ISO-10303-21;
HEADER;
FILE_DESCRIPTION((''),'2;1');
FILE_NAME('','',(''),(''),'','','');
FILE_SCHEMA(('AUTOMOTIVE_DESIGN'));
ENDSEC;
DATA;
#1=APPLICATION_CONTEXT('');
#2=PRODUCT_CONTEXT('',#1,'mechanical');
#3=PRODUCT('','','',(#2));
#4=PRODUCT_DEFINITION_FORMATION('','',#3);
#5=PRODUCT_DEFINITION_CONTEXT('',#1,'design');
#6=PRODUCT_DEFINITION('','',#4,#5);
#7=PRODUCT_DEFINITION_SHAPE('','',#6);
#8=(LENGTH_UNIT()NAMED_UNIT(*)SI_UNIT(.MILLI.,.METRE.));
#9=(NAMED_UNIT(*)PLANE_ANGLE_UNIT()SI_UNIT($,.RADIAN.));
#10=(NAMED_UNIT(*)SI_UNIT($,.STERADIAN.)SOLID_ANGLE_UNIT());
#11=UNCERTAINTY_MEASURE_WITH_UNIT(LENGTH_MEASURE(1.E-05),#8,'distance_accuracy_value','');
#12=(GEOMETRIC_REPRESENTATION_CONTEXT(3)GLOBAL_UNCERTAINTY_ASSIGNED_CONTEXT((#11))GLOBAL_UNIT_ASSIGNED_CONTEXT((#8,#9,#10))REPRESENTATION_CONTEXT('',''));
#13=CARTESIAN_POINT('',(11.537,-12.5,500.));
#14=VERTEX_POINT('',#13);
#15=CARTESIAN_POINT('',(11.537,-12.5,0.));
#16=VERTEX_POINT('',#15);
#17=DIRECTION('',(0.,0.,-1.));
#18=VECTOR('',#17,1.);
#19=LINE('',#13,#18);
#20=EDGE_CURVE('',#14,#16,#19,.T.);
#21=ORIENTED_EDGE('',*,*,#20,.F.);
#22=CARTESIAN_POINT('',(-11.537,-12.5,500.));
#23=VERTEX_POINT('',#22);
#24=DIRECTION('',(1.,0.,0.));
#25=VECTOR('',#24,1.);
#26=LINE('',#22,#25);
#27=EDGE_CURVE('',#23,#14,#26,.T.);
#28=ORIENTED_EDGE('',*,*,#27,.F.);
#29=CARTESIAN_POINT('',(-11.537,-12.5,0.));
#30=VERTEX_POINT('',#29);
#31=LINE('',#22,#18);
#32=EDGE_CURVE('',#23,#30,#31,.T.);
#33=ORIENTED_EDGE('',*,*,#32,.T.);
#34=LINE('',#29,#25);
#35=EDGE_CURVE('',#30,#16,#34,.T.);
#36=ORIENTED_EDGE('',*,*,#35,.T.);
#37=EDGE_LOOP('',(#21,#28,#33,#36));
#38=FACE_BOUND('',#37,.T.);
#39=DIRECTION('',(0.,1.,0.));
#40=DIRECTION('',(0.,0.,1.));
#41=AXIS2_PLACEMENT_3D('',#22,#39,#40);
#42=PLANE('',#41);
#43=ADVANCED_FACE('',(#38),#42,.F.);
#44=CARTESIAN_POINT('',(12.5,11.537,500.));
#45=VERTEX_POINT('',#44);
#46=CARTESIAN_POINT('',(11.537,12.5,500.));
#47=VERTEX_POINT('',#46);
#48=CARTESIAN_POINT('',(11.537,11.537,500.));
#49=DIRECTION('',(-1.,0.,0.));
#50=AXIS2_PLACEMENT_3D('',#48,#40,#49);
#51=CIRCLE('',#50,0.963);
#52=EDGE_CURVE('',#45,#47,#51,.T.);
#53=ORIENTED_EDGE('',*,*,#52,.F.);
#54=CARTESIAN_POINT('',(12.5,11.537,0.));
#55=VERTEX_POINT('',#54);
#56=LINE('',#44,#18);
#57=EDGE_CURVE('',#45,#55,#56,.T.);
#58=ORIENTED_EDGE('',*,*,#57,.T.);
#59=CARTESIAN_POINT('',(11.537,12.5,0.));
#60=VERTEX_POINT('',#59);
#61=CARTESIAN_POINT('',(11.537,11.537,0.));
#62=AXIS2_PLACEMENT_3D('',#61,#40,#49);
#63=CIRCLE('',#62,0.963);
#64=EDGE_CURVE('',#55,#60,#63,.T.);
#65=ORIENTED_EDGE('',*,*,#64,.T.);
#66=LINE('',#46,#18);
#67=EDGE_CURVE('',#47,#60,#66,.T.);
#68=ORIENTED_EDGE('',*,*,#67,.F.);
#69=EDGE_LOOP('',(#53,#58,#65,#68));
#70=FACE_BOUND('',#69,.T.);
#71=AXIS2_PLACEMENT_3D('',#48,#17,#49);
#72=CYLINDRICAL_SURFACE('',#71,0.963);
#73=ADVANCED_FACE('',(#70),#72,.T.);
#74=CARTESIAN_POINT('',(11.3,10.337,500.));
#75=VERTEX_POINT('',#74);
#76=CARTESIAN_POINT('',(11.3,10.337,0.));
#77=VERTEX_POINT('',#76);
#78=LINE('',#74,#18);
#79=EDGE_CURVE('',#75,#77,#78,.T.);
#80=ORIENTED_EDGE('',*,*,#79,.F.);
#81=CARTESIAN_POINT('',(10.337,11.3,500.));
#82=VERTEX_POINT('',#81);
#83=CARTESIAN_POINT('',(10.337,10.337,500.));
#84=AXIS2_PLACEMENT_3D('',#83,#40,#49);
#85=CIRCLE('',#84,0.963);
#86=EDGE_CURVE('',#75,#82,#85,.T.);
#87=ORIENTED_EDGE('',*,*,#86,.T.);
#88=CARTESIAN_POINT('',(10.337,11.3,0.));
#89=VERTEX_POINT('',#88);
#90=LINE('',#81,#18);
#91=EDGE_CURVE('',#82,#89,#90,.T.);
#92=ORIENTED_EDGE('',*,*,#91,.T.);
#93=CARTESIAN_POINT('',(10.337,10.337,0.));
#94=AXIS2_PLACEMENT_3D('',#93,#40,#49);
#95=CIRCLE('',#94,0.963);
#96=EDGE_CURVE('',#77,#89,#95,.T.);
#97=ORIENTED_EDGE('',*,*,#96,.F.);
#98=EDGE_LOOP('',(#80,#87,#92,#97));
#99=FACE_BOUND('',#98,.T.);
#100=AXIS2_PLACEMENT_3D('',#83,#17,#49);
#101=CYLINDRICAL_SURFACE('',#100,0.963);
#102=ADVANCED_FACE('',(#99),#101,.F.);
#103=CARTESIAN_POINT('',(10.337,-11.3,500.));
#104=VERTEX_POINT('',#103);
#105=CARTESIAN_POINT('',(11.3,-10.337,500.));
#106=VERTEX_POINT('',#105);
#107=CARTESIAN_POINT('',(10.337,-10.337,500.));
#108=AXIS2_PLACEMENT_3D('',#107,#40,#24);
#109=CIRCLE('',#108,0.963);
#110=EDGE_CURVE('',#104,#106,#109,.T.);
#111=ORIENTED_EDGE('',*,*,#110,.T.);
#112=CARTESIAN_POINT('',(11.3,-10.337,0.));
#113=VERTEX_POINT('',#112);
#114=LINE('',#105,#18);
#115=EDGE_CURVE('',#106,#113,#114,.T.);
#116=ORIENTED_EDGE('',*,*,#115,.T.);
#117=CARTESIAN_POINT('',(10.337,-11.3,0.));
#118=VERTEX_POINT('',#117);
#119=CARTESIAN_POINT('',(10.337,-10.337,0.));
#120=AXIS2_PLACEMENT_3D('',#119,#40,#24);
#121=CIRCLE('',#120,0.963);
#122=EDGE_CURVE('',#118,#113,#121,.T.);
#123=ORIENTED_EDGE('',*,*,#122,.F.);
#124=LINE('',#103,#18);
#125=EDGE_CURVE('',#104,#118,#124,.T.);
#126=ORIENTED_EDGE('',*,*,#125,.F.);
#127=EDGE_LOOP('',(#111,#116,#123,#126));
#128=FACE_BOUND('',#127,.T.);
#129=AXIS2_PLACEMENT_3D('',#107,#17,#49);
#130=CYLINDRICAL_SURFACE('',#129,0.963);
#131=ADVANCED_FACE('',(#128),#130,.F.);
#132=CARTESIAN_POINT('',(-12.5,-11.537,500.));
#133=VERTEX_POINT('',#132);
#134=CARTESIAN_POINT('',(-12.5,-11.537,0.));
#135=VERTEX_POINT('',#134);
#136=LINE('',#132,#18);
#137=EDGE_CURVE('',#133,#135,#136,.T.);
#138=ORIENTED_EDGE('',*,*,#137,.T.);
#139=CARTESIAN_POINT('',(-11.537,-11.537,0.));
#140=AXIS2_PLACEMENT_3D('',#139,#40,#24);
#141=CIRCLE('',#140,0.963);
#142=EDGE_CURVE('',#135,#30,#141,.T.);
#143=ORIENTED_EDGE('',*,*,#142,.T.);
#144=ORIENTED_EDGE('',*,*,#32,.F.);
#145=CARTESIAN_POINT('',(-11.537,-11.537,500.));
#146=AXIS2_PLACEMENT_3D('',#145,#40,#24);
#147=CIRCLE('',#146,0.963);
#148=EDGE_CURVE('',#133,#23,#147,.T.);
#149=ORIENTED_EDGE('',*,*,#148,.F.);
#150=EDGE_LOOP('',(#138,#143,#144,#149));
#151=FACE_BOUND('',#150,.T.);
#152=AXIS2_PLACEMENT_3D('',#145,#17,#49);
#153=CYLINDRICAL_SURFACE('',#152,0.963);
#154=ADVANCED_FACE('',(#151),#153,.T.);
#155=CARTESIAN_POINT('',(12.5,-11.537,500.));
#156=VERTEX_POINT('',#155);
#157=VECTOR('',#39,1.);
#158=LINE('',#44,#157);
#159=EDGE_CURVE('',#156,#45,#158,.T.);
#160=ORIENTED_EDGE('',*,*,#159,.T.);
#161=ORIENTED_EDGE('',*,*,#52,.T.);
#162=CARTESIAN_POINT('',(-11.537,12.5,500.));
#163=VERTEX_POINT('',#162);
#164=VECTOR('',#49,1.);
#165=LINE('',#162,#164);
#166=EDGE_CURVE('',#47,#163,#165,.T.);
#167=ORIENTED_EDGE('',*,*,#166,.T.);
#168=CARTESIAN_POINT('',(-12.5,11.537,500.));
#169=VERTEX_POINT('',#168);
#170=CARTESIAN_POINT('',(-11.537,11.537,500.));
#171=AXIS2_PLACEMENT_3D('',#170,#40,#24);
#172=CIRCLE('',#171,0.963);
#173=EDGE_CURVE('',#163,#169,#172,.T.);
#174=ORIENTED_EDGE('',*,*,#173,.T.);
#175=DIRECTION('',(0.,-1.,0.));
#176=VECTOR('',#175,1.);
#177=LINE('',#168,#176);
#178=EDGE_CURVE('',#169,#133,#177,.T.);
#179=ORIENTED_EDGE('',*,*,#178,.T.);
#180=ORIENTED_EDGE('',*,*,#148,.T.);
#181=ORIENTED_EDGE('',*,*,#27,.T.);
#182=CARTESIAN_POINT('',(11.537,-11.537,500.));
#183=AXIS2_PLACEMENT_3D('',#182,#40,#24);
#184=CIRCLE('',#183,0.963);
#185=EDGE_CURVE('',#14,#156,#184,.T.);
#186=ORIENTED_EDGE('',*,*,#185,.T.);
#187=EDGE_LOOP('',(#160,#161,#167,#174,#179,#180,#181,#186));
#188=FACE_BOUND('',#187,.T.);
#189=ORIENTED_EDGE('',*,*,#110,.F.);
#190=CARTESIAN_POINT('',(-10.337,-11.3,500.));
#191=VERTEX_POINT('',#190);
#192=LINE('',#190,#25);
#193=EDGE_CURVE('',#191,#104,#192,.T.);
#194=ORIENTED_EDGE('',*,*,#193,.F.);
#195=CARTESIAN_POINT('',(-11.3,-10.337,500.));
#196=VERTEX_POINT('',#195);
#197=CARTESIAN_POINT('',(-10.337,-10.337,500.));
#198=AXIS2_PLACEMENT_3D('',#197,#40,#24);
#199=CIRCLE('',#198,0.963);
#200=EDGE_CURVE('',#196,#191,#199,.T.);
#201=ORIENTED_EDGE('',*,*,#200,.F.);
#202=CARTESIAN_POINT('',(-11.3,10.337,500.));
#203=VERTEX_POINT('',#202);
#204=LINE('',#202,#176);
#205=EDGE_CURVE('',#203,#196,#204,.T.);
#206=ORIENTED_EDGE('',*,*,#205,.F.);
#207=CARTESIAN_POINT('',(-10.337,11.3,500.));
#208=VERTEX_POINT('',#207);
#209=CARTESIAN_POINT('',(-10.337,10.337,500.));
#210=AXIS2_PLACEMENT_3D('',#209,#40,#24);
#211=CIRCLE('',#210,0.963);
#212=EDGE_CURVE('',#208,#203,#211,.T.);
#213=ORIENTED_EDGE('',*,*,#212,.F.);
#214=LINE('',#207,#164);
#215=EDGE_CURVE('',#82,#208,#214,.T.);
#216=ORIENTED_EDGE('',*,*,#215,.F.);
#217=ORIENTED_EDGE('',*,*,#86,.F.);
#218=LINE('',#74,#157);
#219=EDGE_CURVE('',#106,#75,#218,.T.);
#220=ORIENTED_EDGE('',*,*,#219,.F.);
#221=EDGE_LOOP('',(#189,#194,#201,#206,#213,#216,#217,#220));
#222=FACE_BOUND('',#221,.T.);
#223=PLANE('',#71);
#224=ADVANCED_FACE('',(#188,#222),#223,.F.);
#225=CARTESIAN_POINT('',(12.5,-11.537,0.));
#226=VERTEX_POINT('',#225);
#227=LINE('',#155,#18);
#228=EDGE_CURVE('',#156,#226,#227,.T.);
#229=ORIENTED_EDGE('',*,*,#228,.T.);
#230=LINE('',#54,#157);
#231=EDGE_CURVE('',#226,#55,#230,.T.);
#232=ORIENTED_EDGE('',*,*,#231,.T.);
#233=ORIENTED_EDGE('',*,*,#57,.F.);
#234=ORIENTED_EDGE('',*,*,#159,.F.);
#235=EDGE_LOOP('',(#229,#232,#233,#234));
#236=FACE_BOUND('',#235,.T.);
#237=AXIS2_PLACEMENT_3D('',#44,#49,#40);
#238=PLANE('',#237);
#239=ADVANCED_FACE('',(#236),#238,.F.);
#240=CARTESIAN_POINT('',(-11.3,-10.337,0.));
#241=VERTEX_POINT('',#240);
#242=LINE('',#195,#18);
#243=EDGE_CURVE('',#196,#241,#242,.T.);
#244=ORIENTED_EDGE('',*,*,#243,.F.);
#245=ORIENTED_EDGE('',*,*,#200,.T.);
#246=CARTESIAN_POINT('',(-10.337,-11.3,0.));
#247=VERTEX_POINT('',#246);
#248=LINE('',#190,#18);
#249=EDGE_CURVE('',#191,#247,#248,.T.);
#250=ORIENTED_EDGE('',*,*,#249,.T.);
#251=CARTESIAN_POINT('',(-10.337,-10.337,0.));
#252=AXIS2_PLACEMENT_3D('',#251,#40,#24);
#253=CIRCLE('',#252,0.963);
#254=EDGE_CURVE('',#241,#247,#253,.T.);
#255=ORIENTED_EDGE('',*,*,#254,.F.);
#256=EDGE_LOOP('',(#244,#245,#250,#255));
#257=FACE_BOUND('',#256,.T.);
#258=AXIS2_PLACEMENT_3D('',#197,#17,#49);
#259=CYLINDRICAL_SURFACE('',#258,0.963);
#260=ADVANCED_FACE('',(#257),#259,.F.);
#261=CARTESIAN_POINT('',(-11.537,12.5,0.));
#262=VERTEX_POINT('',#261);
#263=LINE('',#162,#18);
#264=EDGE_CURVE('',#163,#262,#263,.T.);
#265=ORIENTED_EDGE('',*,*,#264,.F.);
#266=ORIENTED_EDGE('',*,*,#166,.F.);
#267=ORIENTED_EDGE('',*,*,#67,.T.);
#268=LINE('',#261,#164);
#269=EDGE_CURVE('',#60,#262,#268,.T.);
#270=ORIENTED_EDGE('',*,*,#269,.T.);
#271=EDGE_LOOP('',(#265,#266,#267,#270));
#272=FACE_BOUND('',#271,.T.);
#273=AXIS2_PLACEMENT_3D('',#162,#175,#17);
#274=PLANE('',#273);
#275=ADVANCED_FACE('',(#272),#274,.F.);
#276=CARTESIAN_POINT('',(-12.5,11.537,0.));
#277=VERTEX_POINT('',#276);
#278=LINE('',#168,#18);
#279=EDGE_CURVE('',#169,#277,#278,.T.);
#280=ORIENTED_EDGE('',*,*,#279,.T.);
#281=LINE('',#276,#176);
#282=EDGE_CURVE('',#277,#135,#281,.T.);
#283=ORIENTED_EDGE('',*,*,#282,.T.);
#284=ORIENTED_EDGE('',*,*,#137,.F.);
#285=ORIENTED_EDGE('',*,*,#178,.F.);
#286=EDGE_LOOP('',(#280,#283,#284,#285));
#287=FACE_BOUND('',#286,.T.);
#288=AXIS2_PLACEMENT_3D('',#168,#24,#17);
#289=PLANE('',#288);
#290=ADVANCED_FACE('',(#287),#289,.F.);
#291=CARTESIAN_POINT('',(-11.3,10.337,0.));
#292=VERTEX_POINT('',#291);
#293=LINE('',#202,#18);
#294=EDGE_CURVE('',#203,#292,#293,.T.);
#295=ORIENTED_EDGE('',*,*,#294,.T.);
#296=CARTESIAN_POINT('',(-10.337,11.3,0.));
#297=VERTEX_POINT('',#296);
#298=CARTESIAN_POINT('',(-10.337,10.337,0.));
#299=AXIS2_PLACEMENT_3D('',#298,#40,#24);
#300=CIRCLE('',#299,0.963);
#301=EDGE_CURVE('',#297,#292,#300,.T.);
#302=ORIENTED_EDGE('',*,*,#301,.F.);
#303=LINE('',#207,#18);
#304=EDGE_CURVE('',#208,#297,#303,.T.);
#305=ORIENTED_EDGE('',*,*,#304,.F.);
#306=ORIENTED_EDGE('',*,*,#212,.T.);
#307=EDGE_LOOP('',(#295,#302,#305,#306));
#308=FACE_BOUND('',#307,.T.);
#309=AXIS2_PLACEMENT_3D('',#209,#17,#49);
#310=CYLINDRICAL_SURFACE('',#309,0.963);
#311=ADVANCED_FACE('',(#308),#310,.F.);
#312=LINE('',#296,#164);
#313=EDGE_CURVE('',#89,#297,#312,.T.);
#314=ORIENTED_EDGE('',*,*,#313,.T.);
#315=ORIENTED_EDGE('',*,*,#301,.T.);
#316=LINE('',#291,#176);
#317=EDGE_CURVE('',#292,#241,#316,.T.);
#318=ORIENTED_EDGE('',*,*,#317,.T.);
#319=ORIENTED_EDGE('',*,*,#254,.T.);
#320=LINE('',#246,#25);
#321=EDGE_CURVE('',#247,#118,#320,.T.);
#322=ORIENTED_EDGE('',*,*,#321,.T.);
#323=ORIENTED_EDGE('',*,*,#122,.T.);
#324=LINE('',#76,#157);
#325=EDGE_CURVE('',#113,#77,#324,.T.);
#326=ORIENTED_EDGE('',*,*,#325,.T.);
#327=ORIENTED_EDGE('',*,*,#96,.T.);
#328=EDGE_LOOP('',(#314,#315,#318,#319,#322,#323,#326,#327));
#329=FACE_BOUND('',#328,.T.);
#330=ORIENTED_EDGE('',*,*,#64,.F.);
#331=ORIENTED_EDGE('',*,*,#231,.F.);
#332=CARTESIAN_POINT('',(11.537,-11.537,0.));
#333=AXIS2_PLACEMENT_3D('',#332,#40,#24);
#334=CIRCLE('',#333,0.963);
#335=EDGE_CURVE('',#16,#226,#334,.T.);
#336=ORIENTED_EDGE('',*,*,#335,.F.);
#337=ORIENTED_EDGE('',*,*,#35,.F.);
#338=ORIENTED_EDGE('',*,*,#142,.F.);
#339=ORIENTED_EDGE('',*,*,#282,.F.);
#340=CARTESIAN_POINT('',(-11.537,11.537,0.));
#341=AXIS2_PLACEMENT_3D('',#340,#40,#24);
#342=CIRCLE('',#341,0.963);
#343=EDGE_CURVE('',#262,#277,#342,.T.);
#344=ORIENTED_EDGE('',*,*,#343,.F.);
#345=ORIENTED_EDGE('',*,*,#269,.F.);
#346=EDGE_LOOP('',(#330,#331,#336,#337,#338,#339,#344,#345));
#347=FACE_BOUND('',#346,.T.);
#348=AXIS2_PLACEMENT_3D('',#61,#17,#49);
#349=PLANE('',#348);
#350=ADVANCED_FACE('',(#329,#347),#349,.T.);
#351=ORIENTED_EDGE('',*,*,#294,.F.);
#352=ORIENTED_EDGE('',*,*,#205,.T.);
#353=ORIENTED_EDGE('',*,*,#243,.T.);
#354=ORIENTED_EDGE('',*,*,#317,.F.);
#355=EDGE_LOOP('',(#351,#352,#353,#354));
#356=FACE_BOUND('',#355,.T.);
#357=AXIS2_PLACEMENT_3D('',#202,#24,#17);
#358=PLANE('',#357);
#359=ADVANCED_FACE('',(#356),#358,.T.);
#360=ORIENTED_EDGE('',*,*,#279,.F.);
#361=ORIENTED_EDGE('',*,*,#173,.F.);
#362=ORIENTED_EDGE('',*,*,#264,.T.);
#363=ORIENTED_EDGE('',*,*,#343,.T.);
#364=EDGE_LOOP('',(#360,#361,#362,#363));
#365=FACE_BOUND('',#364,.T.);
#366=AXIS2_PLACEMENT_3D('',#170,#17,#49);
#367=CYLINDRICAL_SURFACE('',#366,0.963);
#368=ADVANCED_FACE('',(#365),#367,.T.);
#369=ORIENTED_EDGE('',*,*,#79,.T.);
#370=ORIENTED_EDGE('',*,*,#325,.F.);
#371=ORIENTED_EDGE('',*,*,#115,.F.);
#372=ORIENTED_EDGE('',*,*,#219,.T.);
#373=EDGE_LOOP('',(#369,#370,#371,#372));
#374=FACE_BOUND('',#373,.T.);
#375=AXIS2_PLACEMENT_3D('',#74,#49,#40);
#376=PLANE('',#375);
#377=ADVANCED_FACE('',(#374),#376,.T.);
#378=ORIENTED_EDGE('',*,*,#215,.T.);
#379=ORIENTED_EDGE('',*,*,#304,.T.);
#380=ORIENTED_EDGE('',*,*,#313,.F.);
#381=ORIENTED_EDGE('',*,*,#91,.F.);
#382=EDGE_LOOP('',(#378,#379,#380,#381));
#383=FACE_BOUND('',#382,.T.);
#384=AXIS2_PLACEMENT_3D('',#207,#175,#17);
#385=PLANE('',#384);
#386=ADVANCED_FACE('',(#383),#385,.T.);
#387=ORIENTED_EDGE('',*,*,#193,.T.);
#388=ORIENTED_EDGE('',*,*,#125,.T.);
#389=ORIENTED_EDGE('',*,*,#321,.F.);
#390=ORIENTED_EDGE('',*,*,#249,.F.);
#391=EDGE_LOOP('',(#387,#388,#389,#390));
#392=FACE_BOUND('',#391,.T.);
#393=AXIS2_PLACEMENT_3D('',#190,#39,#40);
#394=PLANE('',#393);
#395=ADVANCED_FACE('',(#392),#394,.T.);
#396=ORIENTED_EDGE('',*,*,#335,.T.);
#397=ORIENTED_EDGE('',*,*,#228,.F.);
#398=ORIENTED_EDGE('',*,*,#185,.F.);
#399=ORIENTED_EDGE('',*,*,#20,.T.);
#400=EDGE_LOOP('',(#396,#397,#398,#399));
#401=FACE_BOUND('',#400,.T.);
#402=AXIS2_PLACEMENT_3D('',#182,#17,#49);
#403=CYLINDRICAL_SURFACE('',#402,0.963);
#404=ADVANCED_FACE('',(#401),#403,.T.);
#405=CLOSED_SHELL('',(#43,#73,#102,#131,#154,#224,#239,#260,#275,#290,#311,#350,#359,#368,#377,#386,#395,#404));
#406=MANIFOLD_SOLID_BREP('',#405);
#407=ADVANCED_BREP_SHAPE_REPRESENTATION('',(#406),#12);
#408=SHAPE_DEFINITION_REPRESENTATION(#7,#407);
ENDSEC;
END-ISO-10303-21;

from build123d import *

# Parameters (mm, degrees)
EXTRUDE_1_DEPTH = 500


with BuildPart() as part:
    # 草图1 → 拉伸1 (new body)
    with BuildSketch(Plane.XY):
        with BuildLine():
            Line((-11.537, 12.5), (11.537, 12.5))
            ThreePointArc((11.537, 12.5), (12.21794383, 12.21794383), (12.5, 11.537))
            Line((12.5, 11.537), (12.5, -11.537))
            ThreePointArc((12.5, -11.537), (12.21794383, -12.21794383), (11.537, -12.5))
            Line((11.537, -12.5), (-11.537, -12.5))
            ThreePointArc((-11.537, -12.5), (-12.21794383, -12.21794383), (-12.5, -11.537))
            Line((-12.5, -11.537), (-12.5, 11.537))
            ThreePointArc((-12.5, 11.537), (-12.21794383, 12.21794383), (-11.537, 12.5))
        make_face()
        with BuildLine():
            Line((-10.337, 11.3), (10.337, 11.3))
            ThreePointArc((10.337, 11.3), (11.01794383, 11.01794383), (11.3, 10.337))
            Line((11.3, 10.337), (11.3, -10.337))
            ThreePointArc((11.3, -10.337), (11.01794383, -11.01794383), (10.337, -11.3))
            Line((10.337, -11.3), (-10.337, -11.3))
            ThreePointArc((-10.337, -11.3), (-11.01794383, -11.01794383), (-11.3, -10.337))
            Line((-11.3, -10.337), (-11.3, 10.337))
            ThreePointArc((-11.3, 10.337), (-11.01794383, 11.01794383), (-10.337, 11.3))
        make_face(mode=Mode.SUBTRACT)
    extrude(amount=EXTRUDE_1_DEPTH)


solid = part.part
